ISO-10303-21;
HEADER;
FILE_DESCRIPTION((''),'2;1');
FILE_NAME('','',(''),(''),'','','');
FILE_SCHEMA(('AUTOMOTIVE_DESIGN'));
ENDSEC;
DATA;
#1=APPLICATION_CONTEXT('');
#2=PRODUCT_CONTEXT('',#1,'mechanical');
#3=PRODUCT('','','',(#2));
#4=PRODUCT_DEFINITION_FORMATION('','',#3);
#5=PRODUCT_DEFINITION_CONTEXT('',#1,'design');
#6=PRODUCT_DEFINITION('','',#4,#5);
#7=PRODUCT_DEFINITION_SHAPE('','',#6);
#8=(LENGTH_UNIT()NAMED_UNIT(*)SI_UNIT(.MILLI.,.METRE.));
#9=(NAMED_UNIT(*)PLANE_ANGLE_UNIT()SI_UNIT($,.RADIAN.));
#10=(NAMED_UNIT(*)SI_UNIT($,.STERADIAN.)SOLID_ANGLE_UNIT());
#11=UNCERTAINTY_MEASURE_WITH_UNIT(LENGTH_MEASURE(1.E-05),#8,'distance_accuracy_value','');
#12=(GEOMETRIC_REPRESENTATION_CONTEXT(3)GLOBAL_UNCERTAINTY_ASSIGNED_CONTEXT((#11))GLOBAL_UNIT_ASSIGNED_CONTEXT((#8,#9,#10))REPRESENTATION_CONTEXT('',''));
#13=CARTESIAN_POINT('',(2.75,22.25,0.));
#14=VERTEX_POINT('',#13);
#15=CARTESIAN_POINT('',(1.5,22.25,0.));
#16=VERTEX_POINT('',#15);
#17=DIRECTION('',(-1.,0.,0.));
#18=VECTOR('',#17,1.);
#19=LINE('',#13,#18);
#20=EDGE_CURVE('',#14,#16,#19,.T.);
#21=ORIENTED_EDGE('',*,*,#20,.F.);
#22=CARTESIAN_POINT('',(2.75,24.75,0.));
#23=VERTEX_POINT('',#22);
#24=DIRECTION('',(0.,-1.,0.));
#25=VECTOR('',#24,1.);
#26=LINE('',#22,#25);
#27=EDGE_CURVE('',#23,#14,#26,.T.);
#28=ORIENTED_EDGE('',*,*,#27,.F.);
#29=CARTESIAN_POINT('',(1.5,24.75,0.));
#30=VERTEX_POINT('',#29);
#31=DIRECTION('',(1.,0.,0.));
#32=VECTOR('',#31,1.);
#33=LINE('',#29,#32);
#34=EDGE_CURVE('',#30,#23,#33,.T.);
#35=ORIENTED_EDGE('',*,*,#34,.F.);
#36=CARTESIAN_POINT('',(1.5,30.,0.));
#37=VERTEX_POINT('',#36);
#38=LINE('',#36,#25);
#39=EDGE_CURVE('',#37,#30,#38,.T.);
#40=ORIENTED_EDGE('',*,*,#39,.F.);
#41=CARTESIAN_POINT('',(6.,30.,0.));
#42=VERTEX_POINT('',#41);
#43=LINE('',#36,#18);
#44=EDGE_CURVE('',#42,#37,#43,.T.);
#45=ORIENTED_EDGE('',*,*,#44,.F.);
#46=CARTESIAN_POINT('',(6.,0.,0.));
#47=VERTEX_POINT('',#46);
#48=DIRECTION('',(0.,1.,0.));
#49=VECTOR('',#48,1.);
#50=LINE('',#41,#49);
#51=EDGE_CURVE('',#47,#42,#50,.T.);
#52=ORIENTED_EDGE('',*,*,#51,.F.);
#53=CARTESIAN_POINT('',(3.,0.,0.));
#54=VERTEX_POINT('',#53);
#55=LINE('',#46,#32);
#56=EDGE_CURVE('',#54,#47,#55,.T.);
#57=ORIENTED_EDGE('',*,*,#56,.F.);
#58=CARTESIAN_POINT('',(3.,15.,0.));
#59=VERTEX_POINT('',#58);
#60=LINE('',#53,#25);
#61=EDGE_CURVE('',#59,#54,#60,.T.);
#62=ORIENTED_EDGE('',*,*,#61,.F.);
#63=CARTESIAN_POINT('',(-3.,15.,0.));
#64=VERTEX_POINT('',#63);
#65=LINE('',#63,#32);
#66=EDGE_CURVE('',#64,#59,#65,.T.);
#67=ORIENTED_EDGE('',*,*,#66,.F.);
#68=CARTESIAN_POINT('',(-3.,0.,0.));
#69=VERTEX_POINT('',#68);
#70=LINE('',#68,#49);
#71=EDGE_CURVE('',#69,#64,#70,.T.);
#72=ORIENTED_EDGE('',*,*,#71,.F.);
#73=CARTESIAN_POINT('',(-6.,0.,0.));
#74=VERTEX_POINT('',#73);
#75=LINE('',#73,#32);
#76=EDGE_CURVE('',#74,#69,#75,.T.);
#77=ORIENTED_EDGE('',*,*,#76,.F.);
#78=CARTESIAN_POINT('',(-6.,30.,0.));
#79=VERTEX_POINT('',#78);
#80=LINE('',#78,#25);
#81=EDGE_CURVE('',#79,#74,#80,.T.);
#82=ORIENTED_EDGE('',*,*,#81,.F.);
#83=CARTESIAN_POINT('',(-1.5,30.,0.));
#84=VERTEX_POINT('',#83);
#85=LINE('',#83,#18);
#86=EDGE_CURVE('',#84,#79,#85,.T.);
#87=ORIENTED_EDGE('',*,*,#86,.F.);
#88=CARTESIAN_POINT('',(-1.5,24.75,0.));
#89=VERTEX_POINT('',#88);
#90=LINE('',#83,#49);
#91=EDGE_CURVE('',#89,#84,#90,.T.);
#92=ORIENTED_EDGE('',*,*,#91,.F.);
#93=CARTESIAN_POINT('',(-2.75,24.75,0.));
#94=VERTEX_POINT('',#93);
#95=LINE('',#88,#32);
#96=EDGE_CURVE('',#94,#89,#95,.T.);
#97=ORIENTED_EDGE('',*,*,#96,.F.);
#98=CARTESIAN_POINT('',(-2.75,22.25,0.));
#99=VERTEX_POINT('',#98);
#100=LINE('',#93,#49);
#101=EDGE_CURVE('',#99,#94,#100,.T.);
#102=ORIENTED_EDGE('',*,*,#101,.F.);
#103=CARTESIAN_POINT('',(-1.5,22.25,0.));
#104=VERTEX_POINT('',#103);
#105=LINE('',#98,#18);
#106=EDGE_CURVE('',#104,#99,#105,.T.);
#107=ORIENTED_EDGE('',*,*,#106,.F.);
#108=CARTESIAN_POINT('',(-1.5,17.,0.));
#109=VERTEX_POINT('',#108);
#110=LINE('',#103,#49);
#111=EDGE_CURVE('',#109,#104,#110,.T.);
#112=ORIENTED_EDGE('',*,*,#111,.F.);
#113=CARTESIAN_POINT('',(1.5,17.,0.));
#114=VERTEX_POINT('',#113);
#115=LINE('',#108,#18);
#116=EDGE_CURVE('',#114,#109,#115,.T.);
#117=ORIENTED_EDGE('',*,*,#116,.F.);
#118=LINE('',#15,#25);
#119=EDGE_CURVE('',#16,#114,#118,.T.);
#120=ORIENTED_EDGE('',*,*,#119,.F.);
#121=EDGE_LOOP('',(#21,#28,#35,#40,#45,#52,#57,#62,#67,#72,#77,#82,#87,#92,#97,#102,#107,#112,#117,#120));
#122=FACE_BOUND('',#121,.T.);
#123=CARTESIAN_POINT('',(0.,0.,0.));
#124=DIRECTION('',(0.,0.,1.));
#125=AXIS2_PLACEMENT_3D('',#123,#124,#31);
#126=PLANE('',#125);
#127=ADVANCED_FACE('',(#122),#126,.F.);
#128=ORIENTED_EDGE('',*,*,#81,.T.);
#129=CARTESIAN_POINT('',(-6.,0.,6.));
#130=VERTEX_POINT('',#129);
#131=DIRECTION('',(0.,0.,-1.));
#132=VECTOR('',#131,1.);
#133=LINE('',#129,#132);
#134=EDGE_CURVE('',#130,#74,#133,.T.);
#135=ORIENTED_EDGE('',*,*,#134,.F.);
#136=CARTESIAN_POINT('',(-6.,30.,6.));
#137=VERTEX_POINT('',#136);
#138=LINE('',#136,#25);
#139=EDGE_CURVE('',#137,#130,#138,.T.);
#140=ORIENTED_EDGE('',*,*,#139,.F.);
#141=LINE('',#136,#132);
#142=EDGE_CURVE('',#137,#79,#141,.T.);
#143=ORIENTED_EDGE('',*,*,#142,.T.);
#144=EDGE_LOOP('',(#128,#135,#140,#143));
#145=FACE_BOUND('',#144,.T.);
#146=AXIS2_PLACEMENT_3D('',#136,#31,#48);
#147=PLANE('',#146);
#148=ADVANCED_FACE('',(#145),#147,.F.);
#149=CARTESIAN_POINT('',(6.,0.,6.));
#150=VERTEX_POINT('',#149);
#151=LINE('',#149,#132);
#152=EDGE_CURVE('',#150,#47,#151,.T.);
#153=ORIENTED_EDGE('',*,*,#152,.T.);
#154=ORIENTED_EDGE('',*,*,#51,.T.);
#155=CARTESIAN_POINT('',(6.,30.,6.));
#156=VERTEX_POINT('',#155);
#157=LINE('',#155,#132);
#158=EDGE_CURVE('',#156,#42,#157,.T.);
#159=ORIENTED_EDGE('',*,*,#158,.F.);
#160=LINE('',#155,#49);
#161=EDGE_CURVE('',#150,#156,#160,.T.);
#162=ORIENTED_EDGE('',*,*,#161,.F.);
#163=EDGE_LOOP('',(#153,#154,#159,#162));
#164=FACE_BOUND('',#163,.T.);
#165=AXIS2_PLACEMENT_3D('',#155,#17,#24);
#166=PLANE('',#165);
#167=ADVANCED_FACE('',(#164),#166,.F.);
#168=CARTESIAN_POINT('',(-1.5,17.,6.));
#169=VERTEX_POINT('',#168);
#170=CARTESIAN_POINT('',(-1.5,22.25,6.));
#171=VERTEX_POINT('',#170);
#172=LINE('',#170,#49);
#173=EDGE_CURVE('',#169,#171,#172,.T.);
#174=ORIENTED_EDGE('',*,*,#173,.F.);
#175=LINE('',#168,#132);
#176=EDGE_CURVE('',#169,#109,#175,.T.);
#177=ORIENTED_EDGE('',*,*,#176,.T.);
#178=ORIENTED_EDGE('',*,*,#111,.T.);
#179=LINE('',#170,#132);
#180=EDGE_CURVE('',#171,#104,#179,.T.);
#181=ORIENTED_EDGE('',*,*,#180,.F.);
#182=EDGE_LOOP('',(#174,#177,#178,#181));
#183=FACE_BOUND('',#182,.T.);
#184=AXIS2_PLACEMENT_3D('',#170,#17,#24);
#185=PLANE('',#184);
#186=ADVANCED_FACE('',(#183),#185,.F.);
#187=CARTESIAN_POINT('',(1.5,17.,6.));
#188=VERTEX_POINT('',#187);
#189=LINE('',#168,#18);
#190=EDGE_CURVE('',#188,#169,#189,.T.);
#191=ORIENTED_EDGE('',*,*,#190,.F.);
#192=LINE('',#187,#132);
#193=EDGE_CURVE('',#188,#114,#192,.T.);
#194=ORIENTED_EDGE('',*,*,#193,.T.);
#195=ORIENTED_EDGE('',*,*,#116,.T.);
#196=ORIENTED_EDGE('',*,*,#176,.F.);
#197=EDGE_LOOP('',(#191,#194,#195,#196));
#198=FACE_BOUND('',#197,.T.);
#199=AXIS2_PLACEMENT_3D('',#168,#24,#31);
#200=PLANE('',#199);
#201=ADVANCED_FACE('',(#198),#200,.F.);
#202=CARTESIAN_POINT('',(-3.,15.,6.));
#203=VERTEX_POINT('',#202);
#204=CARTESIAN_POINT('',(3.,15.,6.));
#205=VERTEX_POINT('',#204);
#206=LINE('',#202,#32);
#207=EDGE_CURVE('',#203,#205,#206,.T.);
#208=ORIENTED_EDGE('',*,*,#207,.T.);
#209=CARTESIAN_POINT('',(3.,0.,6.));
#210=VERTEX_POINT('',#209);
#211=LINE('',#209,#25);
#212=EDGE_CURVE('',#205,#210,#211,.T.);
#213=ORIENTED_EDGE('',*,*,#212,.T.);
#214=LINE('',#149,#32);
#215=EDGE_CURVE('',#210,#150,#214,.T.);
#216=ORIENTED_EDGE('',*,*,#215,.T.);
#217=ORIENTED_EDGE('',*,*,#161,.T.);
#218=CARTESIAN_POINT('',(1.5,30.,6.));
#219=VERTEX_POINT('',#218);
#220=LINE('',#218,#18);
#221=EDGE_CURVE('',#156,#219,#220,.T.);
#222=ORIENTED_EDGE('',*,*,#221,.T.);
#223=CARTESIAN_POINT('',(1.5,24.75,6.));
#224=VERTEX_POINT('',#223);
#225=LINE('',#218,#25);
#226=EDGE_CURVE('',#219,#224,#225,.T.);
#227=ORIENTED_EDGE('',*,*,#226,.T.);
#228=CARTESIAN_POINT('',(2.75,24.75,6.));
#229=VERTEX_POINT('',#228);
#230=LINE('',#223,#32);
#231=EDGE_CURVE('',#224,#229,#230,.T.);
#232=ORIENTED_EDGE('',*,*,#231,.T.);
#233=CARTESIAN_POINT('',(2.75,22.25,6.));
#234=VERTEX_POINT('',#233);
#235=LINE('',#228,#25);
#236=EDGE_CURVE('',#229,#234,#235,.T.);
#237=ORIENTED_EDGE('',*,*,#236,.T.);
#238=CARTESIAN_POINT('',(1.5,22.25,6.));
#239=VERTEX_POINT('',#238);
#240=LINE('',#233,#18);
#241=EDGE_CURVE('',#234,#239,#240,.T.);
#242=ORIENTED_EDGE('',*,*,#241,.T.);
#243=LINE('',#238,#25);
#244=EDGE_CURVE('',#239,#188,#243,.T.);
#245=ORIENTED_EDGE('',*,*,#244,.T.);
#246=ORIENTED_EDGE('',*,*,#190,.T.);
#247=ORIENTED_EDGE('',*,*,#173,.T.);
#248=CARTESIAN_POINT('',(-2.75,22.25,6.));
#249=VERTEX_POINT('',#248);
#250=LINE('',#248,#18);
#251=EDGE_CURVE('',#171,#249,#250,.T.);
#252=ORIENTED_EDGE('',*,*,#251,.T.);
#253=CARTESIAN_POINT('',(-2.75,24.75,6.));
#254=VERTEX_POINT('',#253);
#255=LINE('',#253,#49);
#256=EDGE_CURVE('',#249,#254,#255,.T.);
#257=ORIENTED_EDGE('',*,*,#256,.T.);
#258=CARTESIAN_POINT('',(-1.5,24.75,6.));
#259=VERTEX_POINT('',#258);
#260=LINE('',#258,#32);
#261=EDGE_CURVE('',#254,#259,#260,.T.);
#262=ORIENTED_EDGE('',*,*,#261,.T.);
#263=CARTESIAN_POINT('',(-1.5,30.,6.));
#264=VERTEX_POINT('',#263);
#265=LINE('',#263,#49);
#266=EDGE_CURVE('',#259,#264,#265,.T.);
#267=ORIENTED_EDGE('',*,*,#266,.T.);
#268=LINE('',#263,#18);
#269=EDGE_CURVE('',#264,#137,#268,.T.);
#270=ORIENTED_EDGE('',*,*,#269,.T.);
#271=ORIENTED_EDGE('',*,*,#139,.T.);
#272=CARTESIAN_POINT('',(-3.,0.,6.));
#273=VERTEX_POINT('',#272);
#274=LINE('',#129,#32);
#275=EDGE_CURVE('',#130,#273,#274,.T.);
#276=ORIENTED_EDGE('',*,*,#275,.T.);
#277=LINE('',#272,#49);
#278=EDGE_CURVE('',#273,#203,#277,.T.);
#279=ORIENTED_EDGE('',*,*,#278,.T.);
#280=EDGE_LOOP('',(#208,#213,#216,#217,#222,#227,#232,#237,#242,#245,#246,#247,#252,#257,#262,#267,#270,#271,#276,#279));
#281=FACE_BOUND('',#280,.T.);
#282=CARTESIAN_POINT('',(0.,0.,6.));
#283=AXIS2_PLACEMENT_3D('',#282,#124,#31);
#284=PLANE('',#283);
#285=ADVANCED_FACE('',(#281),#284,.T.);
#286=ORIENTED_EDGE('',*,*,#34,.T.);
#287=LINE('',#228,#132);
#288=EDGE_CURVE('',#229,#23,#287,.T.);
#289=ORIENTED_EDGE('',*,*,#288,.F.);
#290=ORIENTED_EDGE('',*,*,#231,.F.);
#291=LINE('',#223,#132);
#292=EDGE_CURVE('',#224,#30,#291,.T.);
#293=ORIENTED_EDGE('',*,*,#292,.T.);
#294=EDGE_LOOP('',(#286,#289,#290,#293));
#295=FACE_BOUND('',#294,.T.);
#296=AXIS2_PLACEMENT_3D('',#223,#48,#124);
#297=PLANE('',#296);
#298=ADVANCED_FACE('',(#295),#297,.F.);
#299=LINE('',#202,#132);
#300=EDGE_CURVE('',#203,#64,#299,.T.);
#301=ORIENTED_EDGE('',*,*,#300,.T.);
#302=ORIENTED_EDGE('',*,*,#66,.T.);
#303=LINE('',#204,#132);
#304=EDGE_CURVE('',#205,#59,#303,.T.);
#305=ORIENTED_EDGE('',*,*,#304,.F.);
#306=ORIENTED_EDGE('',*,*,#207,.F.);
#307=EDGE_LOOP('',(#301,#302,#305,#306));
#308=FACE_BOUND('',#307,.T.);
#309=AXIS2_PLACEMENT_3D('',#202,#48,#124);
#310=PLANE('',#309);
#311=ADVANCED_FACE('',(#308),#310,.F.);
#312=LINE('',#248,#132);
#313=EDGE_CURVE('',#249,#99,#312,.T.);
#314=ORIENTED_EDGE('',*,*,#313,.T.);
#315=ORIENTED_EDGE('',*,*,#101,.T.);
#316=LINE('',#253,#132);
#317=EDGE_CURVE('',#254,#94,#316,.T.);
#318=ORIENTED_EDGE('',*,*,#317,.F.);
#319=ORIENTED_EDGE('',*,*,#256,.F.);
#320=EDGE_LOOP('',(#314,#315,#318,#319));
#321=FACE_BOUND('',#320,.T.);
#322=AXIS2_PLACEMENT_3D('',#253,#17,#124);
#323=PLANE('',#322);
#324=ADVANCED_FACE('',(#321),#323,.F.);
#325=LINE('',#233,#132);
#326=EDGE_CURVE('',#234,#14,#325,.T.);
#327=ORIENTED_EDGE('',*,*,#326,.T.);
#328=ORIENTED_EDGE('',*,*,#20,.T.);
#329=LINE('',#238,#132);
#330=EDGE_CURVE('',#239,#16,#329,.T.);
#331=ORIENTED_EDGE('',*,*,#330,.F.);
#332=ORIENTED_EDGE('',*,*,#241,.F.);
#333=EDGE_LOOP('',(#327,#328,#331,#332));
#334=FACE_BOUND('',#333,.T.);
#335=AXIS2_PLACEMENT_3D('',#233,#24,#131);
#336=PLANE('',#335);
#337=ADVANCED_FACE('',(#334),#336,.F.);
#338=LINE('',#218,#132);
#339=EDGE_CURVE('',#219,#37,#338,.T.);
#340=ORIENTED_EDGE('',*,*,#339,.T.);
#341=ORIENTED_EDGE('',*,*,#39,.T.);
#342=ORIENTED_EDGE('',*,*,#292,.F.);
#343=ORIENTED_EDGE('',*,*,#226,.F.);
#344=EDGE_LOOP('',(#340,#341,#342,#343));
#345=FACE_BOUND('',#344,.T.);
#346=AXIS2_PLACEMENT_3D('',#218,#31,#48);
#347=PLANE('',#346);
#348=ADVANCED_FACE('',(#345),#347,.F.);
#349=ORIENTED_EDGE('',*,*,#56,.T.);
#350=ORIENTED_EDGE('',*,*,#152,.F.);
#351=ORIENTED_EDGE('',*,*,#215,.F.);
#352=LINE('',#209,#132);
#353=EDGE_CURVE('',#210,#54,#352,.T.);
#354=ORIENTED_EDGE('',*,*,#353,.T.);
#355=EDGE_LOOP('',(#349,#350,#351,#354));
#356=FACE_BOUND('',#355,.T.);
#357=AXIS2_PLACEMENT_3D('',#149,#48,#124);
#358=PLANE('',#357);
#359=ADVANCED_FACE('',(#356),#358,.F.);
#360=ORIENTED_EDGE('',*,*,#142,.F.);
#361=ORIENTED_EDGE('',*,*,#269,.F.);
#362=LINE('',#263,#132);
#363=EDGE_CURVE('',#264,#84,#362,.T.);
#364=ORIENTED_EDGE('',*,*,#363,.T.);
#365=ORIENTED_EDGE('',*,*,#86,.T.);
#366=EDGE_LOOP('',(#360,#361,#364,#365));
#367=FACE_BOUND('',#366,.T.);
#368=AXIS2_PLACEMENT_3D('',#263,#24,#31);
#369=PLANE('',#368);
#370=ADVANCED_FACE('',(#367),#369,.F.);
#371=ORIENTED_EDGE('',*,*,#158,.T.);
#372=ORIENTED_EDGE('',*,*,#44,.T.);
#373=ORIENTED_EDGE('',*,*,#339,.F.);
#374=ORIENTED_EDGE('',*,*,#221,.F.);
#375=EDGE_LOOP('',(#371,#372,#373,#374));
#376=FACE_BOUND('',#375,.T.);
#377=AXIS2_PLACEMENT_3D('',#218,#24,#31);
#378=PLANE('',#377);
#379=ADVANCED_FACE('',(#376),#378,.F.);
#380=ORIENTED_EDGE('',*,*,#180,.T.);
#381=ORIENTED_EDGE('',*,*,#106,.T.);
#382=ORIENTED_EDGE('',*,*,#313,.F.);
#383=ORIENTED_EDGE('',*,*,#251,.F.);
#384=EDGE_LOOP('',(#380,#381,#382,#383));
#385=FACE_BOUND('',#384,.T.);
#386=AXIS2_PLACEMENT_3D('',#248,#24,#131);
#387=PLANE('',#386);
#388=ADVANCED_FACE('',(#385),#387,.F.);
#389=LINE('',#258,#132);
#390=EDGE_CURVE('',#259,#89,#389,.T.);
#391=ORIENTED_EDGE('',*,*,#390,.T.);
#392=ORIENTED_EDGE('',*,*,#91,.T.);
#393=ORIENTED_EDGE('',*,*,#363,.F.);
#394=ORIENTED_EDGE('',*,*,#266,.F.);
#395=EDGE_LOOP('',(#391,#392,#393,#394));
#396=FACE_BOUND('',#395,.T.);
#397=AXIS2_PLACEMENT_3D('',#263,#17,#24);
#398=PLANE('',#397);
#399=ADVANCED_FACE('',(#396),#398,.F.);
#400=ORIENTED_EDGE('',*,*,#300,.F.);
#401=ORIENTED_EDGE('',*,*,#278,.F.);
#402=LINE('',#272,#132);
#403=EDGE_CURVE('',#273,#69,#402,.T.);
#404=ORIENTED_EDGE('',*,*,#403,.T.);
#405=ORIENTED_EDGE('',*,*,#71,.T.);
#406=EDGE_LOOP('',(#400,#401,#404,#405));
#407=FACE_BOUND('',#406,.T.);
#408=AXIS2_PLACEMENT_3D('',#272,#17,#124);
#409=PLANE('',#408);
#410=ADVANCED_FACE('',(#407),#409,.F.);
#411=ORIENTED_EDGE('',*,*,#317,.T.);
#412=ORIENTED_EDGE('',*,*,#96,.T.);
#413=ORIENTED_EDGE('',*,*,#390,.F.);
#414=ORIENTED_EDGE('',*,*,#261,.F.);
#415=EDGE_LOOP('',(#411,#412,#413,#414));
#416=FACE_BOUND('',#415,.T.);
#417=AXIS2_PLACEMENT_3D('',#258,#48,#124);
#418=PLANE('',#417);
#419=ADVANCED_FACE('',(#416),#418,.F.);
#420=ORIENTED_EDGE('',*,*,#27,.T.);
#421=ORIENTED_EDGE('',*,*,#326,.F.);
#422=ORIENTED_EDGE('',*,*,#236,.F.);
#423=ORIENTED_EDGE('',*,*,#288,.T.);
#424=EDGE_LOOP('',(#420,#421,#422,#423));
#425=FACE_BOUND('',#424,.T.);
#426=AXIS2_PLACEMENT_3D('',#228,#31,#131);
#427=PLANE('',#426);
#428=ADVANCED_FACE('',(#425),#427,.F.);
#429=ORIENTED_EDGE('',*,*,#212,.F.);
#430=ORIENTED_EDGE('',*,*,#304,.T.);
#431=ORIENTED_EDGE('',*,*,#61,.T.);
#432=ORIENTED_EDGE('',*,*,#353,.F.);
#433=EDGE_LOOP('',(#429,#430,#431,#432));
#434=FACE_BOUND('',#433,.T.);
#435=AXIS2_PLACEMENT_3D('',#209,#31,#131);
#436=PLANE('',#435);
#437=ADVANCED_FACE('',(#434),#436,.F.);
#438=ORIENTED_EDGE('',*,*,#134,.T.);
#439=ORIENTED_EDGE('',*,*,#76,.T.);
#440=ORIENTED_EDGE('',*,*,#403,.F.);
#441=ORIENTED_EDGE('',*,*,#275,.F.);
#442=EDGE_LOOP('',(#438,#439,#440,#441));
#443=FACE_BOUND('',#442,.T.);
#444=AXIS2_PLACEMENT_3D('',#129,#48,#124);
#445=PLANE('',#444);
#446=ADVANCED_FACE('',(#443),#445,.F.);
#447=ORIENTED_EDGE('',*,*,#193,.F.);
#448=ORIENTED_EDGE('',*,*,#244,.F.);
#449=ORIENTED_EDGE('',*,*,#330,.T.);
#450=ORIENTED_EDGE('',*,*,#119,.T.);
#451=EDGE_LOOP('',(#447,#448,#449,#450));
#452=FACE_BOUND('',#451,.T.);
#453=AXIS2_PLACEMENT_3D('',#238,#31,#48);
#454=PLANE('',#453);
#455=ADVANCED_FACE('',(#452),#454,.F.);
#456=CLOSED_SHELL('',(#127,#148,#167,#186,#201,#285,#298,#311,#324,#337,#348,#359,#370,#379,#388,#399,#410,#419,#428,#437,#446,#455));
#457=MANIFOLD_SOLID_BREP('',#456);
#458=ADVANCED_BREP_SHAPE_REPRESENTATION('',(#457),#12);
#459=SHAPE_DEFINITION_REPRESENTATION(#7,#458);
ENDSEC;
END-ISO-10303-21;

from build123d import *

# Parameters (mm, degrees)
EXTRUDE_1_DEPTH = 6


with BuildPart() as part:
    # Эскиз1 → Бобышка-Вытянуть1 (new body)
    with BuildSketch(Plane.XY):
        Polygon((-1.5, 30), (-1.5, 24.75), (-2.75, 24.75), (-2.75, 22.25), (-1.5, 22.25), (-1.5, 17), (1.5, 17), (1.5, 22.25), (2.75, 22.25), (2.75, 24.75), (1.5, 24.75), (1.5, 30), (6, 30), (6, 0), (3, 0), (3, 15), (-3, 15), (-3, 0), (-6, 0), (-6, 30), align=None)
    extrude(amount=EXTRUDE_1_DEPTH)


solid = part.part
